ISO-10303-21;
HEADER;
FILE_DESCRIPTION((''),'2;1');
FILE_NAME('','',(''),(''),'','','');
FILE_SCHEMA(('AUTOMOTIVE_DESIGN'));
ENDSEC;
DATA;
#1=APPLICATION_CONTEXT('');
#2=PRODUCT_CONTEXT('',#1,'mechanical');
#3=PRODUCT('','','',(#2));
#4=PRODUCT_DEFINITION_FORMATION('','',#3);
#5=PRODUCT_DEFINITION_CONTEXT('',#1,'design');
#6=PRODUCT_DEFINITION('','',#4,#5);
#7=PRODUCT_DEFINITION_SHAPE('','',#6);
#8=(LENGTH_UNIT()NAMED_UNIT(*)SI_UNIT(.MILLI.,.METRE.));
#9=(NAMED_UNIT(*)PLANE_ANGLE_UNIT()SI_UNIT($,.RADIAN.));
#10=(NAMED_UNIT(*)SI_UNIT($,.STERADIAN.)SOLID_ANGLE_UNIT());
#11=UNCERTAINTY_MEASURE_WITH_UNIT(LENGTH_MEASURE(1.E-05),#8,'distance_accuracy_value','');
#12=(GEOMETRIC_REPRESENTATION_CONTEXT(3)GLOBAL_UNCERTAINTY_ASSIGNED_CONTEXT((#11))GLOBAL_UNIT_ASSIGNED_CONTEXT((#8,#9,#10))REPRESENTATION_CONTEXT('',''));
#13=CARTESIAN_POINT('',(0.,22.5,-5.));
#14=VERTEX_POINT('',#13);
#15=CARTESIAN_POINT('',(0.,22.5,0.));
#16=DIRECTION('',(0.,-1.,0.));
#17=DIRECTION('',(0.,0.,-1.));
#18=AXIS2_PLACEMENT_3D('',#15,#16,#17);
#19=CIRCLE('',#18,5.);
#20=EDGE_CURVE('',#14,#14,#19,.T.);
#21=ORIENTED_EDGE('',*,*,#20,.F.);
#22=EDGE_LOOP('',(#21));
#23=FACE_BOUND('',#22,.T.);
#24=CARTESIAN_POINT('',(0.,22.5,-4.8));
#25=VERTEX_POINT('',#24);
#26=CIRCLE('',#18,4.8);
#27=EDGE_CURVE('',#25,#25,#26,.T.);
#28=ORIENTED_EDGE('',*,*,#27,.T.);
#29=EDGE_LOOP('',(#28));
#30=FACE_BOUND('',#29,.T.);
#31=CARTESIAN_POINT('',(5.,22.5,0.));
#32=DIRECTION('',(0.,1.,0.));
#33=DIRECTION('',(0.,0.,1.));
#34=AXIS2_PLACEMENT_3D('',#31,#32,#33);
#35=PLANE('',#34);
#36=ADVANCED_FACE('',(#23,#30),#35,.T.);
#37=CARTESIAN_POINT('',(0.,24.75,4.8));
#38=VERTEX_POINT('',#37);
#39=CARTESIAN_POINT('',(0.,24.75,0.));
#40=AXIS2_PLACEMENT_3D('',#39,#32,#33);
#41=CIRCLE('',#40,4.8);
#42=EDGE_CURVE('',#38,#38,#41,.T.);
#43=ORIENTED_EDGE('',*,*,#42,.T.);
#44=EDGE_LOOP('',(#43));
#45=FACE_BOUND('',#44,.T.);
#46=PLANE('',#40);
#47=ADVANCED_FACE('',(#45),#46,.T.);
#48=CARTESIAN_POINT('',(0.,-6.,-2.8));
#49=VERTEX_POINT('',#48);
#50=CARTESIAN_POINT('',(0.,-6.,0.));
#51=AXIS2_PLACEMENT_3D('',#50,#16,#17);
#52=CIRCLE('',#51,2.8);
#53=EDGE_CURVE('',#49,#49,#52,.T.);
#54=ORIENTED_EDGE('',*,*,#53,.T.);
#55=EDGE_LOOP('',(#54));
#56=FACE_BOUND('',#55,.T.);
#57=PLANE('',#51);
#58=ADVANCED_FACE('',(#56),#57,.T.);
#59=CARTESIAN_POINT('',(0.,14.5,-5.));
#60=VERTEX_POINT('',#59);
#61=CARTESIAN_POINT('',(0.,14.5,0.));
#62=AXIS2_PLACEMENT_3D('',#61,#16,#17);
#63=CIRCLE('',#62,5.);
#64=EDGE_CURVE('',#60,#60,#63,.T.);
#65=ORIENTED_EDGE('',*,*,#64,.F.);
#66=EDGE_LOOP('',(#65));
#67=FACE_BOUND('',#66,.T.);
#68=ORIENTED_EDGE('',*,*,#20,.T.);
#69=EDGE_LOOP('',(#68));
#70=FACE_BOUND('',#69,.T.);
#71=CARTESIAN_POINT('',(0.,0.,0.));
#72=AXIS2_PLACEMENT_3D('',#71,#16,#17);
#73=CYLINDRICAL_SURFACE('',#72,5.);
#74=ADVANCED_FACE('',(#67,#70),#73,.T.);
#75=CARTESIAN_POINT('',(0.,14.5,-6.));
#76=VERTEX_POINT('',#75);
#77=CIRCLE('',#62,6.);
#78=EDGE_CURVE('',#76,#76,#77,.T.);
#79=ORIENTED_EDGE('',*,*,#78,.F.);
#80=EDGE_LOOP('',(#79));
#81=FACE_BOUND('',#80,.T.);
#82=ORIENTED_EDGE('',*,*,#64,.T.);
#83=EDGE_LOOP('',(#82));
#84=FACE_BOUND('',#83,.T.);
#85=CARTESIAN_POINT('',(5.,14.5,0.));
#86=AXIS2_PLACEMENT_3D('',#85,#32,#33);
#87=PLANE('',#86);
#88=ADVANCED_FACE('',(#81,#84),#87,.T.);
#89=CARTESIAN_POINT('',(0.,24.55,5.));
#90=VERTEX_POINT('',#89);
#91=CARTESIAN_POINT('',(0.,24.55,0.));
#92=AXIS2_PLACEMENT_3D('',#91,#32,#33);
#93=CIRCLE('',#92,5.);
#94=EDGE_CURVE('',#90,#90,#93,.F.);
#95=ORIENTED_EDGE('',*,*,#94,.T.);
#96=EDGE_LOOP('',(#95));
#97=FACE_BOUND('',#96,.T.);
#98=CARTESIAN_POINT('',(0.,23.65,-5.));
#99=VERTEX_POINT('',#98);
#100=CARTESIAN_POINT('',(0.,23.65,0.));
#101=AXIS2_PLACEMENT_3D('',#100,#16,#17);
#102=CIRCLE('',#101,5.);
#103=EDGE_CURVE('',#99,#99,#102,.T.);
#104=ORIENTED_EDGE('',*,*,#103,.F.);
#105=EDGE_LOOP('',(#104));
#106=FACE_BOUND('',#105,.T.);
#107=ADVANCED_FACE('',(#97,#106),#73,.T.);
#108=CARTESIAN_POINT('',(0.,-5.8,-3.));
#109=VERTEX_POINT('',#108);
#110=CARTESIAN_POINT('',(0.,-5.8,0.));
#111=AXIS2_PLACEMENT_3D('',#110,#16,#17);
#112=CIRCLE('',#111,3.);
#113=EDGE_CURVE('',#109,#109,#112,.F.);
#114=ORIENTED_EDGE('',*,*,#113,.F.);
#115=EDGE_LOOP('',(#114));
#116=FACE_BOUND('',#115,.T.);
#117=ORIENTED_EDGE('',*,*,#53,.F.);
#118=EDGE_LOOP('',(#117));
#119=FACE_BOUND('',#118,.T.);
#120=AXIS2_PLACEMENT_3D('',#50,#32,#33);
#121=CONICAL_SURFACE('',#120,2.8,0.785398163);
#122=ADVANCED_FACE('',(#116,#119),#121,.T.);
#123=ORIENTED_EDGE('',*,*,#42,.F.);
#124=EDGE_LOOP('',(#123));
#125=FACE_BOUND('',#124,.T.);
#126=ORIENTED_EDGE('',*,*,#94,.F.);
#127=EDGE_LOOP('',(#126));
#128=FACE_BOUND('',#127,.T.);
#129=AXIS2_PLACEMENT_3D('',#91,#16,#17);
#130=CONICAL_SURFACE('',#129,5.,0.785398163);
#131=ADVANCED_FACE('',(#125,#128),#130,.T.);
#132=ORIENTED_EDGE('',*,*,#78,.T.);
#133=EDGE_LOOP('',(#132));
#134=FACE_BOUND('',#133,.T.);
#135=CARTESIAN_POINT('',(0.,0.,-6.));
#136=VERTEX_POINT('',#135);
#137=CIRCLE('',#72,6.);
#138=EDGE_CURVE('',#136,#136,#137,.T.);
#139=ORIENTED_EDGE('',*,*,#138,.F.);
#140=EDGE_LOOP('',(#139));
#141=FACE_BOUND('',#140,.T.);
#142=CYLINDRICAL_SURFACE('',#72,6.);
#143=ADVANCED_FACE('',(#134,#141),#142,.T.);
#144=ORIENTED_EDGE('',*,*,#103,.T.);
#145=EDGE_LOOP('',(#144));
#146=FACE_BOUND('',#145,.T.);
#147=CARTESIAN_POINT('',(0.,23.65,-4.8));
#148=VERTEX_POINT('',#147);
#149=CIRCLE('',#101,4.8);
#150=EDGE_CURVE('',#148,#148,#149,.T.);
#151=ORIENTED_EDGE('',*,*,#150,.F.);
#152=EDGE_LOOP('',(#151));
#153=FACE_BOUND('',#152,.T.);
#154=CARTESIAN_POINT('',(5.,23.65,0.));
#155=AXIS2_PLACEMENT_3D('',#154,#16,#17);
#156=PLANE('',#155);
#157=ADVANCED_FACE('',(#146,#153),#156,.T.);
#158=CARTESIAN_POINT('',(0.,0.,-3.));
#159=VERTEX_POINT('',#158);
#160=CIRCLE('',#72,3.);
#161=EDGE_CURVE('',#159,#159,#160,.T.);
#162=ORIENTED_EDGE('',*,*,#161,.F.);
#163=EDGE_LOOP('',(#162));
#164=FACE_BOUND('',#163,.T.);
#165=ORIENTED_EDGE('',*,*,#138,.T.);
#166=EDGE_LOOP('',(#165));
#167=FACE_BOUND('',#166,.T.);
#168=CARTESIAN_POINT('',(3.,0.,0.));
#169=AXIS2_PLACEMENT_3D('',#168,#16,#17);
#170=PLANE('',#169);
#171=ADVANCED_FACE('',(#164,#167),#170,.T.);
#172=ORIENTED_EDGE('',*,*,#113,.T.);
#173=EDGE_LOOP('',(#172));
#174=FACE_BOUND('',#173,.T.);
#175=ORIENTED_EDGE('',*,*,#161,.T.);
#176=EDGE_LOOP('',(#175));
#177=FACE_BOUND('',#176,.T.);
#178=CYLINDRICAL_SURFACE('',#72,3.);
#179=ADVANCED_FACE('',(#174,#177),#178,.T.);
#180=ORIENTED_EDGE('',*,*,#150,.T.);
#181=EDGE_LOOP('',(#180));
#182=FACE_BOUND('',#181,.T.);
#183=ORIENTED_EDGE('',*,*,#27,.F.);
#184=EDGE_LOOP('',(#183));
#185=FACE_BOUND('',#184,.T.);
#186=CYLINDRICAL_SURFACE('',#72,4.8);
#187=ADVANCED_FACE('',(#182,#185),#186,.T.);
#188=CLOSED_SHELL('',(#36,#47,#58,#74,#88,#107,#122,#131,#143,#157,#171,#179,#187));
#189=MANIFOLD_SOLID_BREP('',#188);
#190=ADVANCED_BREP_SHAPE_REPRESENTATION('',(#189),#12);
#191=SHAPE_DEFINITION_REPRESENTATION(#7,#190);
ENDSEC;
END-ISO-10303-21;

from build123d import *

# Parameters (mm, degrees)
CHAMFER_1_SIZE = 0.2


with BuildPart() as part:
    # 草圖1 → 旋轉1 (revolve)
    with BuildSketch(Plane.XY):
        Polygon((3, 0), (3, -6), (0, -6), (0, 24.75), (5, 24.75), (5, 23.65), (4.8, 23.65), (4.8, 22.5), (5, 22.5), (5, 14.5), (6, 14.5), (6, 0), align=None)
    revolve(axis=Axis((0, 0, 0), (0, 1, 0)))

    # 導角1
    chamfer_1_edges = [part.edges().sort_by_distance(p)[0] for p in [
        (-5, 24.75, 0),
        (-3, -6, 0),
    ]]
    chamfer(chamfer_1_edges, length=CHAMFER_1_SIZE)


solid = part.part
